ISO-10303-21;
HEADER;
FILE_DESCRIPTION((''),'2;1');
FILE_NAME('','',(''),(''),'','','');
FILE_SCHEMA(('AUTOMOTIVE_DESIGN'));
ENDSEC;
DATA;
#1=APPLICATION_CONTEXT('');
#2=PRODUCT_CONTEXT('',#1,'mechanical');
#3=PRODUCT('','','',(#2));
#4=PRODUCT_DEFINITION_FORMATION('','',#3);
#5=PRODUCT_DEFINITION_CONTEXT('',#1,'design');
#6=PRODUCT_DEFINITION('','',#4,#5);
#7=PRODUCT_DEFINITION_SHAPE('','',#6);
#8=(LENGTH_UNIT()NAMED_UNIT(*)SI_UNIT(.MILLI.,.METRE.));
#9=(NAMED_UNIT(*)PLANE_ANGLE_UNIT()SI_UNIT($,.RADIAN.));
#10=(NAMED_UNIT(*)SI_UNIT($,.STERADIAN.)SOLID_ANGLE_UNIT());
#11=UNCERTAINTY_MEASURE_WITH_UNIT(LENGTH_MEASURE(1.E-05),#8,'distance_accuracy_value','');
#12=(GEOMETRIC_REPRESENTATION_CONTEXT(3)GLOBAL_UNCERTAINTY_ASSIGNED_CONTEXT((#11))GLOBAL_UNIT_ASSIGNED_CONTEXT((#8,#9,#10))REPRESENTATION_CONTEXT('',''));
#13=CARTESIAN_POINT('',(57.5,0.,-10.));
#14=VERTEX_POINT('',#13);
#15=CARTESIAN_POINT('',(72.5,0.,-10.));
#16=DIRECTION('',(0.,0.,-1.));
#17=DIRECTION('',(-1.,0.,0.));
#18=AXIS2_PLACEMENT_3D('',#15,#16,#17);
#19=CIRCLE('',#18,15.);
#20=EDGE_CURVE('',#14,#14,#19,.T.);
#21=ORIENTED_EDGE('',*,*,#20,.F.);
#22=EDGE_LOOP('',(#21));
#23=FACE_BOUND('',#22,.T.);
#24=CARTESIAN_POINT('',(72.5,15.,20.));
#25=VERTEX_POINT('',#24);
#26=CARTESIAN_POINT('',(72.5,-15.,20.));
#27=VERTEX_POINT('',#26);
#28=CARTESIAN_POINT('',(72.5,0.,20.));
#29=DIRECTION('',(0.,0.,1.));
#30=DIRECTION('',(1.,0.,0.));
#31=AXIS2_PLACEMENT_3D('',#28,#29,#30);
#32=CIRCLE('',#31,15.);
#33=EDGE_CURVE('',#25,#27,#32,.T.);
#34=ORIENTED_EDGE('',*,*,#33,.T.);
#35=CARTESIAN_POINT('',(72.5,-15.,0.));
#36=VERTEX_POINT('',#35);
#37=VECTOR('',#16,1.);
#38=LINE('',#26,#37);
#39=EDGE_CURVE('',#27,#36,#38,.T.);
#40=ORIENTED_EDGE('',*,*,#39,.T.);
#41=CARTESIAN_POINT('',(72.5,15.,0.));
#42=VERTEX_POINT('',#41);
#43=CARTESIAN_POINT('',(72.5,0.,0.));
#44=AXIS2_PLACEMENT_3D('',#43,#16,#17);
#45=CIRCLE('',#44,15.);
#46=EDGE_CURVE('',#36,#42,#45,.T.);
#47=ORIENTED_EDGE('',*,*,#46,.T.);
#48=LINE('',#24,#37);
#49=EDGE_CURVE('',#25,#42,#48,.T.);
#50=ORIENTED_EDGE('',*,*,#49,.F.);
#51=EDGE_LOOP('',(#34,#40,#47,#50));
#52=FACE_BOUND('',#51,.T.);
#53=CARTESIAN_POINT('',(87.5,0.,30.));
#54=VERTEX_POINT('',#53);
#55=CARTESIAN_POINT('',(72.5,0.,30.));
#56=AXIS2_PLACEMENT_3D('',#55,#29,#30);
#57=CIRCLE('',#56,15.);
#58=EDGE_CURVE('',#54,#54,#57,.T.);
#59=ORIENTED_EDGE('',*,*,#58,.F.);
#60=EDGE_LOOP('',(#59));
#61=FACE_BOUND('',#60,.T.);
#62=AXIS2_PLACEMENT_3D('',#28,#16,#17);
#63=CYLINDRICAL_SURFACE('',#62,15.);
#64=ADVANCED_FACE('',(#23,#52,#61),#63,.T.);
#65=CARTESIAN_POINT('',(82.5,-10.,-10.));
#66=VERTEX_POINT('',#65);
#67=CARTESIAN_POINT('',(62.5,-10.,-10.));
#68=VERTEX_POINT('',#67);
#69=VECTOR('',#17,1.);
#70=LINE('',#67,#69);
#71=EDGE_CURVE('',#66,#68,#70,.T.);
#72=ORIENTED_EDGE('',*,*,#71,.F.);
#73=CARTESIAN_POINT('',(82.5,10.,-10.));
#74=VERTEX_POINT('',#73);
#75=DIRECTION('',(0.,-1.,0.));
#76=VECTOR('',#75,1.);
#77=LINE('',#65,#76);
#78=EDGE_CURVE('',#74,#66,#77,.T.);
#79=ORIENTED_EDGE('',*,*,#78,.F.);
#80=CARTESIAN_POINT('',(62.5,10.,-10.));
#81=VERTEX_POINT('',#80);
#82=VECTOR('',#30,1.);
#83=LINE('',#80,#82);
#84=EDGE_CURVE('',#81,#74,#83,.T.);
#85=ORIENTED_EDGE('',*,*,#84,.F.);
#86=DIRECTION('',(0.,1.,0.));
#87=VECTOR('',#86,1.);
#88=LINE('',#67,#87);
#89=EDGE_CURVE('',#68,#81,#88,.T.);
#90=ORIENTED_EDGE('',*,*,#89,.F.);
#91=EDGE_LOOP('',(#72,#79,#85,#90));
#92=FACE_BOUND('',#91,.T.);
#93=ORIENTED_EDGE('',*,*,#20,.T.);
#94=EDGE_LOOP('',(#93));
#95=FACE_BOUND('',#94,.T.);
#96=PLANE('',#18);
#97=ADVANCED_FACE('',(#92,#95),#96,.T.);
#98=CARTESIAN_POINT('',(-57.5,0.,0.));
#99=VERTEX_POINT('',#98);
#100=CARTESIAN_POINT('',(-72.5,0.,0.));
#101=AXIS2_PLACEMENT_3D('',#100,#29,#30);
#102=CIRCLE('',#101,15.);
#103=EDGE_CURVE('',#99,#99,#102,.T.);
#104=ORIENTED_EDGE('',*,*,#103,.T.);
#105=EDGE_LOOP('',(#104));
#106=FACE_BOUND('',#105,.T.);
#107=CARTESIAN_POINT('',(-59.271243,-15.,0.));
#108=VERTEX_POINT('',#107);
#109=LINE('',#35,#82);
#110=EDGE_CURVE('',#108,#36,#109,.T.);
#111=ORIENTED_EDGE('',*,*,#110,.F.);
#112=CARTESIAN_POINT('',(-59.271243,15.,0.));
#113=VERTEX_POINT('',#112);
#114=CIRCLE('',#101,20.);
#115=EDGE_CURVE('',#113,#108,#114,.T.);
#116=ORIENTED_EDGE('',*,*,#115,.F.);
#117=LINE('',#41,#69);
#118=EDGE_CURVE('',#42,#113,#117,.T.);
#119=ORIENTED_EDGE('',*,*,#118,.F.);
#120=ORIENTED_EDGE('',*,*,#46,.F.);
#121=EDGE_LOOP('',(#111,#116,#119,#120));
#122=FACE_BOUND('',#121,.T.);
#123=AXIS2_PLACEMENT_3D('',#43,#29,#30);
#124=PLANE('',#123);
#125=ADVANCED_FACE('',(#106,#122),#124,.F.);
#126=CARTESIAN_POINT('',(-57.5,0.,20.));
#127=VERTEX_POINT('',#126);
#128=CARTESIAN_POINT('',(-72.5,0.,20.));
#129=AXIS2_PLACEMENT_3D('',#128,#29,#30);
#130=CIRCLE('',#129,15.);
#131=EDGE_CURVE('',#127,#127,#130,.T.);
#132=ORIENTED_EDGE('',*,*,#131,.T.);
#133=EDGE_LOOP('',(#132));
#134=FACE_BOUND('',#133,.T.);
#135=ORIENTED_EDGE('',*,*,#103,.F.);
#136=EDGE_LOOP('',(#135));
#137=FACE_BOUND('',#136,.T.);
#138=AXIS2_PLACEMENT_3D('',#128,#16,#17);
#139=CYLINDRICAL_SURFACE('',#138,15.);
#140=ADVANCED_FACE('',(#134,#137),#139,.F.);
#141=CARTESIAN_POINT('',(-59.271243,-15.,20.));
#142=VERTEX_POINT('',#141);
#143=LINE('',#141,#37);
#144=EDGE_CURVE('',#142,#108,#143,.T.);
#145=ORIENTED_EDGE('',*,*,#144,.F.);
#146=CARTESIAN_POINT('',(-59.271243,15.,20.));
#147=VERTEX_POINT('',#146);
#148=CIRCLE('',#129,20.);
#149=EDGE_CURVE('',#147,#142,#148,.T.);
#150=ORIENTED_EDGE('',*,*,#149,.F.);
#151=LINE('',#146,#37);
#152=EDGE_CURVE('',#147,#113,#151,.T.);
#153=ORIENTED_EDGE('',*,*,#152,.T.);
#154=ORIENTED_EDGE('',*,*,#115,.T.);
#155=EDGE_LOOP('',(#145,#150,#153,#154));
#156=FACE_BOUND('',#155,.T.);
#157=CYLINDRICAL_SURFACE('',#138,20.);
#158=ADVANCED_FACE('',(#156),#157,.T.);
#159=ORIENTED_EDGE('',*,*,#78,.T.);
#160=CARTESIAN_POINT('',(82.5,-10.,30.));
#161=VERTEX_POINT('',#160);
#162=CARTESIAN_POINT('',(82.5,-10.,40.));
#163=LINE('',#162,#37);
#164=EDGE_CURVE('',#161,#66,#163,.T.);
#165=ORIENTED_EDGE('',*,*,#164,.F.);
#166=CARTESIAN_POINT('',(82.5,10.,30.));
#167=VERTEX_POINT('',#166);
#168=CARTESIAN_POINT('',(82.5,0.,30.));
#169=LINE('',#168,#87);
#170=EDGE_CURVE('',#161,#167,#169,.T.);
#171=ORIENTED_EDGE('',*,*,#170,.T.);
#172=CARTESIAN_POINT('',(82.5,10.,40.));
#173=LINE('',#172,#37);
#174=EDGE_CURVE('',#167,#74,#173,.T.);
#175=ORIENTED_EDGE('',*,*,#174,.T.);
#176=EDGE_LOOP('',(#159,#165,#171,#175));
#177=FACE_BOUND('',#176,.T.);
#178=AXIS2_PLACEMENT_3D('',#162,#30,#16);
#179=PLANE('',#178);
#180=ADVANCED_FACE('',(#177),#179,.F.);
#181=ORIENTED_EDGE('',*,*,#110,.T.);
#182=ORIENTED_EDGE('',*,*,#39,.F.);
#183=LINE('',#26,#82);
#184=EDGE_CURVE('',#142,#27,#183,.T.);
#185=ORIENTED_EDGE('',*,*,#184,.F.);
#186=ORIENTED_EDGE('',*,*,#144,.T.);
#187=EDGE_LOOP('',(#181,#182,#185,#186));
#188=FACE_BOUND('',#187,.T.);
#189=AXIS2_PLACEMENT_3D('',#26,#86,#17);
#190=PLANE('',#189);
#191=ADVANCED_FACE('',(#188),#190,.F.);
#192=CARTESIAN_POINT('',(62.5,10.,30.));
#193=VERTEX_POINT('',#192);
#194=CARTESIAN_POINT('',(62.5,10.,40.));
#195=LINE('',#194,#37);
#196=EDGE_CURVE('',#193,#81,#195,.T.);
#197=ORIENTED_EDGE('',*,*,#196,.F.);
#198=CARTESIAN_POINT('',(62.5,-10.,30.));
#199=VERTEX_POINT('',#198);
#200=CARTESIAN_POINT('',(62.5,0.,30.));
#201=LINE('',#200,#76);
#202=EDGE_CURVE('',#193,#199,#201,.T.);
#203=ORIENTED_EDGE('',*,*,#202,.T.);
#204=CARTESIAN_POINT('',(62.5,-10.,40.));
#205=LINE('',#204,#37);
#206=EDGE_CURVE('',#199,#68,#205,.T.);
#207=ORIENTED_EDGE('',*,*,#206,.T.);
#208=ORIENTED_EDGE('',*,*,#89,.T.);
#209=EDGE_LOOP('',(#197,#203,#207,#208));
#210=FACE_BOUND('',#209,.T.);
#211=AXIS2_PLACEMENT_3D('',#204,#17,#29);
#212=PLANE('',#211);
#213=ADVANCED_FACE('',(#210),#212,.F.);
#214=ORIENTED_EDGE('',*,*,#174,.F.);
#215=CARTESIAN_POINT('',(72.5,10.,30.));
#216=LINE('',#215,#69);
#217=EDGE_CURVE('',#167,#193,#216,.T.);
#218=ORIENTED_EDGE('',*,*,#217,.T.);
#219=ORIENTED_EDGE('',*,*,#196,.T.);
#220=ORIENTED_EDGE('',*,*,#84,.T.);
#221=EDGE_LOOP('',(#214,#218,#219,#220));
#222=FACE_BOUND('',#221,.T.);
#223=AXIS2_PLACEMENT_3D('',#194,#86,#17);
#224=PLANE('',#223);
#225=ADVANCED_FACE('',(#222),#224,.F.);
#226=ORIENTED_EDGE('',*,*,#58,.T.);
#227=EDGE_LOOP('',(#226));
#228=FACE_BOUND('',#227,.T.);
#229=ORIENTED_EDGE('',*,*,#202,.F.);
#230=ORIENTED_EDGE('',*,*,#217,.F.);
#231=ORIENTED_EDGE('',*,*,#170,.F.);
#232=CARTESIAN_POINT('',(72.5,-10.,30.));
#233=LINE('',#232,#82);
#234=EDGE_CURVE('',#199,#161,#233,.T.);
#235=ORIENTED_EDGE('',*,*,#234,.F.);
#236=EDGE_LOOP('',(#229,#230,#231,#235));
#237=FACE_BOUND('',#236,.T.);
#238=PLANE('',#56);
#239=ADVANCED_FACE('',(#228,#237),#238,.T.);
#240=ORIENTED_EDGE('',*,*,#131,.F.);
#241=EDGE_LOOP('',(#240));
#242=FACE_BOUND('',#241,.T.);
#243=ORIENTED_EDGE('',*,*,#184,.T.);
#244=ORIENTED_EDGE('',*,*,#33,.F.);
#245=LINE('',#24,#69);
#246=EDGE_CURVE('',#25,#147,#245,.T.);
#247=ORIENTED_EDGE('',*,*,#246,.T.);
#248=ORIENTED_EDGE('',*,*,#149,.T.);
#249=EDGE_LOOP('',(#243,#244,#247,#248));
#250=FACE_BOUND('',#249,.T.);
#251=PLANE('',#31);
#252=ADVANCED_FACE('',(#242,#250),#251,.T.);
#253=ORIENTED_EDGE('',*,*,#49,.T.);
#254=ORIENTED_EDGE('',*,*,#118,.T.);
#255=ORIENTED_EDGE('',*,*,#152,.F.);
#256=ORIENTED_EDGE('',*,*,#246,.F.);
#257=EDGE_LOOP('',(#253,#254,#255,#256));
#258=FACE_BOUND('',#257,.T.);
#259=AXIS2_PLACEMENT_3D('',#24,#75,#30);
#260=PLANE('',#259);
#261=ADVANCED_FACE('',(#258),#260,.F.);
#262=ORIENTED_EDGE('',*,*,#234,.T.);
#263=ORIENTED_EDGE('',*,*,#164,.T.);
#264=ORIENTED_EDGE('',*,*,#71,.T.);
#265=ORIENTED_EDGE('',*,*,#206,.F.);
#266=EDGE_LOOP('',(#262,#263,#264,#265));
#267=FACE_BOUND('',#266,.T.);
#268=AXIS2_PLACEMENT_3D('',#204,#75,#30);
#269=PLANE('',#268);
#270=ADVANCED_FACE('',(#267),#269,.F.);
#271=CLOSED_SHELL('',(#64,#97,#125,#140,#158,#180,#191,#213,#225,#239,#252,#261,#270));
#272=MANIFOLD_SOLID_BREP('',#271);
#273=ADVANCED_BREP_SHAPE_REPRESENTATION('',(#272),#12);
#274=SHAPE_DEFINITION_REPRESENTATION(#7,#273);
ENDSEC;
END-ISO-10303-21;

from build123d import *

# Parameters (mm, degrees)
SKETCH1_R           = 15
BOSS_EXTRUDE2_DEPTH = 20
SKETCH3_R           = 15
BOSS_EXTRUDE3_DEPTH = 10
BOSS_EXTRUDE4_START = 10
SKETCH5_R           = 15
BOSS_EXTRUDE4_DEPTH = 10
SKETCH6_W           = 20
SKETCH6_H           = 20
CUT_EXTRUDE1_DEPTH  = 50


with BuildPart() as part:
    # Sketch1 → Boss-Extrude2 (new body)
    with BuildSketch(Plane.XY):
        with BuildLine():
            Line((72.5, -15), (-59.271243445, -15))
            ThreePointArc((-59.271243445, -15), (-92.5, 0), (-59.271243445, 15))
            Line((-59.271243445, 15), (72.5, 15))
            ThreePointArc((72.5, 15), (87.5, 0), (72.5, -15))
        make_face()
        with Locations((-72.5, 0)):
            Circle(SKETCH1_R, mode=Mode.SUBTRACT)
    extrude(amount=BOSS_EXTRUDE2_DEPTH)

    # Sketch3 → Boss-Extrude3 (add)
    with BuildSketch(Plane.XY.offset(20)):
        with Locations(Location((72.5, 0, 0), (0, 0, 90))):
            Circle(SKETCH3_R)
    extrude(amount=BOSS_EXTRUDE3_DEPTH)

    # Sketch5 → Boss-Extrude4 (add)
    with BuildSketch(Plane(origin=(0, 0, 0), x_dir=(-1, 0, 0), z_dir=(0, 0, -1)).offset(BOSS_EXTRUDE4_START)):
        with Locations((-72.5, 0)):
            Circle(SKETCH5_R)
    extrude(amount=-BOSS_EXTRUDE4_DEPTH)

    # Sketch6 → Cut-Extrude1 (cut)
    with BuildSketch(Plane(origin=(0, 0, -10), x_dir=(-1, 0, 0), z_dir=(0, 0, -1))):
        with Locations((-72.5, 0)):
            Rectangle(SKETCH6_W, SKETCH6_H)
    extrude(amount=-CUT_EXTRUDE1_DEPTH, mode=Mode.SUBTRACT)


solid = part.part
